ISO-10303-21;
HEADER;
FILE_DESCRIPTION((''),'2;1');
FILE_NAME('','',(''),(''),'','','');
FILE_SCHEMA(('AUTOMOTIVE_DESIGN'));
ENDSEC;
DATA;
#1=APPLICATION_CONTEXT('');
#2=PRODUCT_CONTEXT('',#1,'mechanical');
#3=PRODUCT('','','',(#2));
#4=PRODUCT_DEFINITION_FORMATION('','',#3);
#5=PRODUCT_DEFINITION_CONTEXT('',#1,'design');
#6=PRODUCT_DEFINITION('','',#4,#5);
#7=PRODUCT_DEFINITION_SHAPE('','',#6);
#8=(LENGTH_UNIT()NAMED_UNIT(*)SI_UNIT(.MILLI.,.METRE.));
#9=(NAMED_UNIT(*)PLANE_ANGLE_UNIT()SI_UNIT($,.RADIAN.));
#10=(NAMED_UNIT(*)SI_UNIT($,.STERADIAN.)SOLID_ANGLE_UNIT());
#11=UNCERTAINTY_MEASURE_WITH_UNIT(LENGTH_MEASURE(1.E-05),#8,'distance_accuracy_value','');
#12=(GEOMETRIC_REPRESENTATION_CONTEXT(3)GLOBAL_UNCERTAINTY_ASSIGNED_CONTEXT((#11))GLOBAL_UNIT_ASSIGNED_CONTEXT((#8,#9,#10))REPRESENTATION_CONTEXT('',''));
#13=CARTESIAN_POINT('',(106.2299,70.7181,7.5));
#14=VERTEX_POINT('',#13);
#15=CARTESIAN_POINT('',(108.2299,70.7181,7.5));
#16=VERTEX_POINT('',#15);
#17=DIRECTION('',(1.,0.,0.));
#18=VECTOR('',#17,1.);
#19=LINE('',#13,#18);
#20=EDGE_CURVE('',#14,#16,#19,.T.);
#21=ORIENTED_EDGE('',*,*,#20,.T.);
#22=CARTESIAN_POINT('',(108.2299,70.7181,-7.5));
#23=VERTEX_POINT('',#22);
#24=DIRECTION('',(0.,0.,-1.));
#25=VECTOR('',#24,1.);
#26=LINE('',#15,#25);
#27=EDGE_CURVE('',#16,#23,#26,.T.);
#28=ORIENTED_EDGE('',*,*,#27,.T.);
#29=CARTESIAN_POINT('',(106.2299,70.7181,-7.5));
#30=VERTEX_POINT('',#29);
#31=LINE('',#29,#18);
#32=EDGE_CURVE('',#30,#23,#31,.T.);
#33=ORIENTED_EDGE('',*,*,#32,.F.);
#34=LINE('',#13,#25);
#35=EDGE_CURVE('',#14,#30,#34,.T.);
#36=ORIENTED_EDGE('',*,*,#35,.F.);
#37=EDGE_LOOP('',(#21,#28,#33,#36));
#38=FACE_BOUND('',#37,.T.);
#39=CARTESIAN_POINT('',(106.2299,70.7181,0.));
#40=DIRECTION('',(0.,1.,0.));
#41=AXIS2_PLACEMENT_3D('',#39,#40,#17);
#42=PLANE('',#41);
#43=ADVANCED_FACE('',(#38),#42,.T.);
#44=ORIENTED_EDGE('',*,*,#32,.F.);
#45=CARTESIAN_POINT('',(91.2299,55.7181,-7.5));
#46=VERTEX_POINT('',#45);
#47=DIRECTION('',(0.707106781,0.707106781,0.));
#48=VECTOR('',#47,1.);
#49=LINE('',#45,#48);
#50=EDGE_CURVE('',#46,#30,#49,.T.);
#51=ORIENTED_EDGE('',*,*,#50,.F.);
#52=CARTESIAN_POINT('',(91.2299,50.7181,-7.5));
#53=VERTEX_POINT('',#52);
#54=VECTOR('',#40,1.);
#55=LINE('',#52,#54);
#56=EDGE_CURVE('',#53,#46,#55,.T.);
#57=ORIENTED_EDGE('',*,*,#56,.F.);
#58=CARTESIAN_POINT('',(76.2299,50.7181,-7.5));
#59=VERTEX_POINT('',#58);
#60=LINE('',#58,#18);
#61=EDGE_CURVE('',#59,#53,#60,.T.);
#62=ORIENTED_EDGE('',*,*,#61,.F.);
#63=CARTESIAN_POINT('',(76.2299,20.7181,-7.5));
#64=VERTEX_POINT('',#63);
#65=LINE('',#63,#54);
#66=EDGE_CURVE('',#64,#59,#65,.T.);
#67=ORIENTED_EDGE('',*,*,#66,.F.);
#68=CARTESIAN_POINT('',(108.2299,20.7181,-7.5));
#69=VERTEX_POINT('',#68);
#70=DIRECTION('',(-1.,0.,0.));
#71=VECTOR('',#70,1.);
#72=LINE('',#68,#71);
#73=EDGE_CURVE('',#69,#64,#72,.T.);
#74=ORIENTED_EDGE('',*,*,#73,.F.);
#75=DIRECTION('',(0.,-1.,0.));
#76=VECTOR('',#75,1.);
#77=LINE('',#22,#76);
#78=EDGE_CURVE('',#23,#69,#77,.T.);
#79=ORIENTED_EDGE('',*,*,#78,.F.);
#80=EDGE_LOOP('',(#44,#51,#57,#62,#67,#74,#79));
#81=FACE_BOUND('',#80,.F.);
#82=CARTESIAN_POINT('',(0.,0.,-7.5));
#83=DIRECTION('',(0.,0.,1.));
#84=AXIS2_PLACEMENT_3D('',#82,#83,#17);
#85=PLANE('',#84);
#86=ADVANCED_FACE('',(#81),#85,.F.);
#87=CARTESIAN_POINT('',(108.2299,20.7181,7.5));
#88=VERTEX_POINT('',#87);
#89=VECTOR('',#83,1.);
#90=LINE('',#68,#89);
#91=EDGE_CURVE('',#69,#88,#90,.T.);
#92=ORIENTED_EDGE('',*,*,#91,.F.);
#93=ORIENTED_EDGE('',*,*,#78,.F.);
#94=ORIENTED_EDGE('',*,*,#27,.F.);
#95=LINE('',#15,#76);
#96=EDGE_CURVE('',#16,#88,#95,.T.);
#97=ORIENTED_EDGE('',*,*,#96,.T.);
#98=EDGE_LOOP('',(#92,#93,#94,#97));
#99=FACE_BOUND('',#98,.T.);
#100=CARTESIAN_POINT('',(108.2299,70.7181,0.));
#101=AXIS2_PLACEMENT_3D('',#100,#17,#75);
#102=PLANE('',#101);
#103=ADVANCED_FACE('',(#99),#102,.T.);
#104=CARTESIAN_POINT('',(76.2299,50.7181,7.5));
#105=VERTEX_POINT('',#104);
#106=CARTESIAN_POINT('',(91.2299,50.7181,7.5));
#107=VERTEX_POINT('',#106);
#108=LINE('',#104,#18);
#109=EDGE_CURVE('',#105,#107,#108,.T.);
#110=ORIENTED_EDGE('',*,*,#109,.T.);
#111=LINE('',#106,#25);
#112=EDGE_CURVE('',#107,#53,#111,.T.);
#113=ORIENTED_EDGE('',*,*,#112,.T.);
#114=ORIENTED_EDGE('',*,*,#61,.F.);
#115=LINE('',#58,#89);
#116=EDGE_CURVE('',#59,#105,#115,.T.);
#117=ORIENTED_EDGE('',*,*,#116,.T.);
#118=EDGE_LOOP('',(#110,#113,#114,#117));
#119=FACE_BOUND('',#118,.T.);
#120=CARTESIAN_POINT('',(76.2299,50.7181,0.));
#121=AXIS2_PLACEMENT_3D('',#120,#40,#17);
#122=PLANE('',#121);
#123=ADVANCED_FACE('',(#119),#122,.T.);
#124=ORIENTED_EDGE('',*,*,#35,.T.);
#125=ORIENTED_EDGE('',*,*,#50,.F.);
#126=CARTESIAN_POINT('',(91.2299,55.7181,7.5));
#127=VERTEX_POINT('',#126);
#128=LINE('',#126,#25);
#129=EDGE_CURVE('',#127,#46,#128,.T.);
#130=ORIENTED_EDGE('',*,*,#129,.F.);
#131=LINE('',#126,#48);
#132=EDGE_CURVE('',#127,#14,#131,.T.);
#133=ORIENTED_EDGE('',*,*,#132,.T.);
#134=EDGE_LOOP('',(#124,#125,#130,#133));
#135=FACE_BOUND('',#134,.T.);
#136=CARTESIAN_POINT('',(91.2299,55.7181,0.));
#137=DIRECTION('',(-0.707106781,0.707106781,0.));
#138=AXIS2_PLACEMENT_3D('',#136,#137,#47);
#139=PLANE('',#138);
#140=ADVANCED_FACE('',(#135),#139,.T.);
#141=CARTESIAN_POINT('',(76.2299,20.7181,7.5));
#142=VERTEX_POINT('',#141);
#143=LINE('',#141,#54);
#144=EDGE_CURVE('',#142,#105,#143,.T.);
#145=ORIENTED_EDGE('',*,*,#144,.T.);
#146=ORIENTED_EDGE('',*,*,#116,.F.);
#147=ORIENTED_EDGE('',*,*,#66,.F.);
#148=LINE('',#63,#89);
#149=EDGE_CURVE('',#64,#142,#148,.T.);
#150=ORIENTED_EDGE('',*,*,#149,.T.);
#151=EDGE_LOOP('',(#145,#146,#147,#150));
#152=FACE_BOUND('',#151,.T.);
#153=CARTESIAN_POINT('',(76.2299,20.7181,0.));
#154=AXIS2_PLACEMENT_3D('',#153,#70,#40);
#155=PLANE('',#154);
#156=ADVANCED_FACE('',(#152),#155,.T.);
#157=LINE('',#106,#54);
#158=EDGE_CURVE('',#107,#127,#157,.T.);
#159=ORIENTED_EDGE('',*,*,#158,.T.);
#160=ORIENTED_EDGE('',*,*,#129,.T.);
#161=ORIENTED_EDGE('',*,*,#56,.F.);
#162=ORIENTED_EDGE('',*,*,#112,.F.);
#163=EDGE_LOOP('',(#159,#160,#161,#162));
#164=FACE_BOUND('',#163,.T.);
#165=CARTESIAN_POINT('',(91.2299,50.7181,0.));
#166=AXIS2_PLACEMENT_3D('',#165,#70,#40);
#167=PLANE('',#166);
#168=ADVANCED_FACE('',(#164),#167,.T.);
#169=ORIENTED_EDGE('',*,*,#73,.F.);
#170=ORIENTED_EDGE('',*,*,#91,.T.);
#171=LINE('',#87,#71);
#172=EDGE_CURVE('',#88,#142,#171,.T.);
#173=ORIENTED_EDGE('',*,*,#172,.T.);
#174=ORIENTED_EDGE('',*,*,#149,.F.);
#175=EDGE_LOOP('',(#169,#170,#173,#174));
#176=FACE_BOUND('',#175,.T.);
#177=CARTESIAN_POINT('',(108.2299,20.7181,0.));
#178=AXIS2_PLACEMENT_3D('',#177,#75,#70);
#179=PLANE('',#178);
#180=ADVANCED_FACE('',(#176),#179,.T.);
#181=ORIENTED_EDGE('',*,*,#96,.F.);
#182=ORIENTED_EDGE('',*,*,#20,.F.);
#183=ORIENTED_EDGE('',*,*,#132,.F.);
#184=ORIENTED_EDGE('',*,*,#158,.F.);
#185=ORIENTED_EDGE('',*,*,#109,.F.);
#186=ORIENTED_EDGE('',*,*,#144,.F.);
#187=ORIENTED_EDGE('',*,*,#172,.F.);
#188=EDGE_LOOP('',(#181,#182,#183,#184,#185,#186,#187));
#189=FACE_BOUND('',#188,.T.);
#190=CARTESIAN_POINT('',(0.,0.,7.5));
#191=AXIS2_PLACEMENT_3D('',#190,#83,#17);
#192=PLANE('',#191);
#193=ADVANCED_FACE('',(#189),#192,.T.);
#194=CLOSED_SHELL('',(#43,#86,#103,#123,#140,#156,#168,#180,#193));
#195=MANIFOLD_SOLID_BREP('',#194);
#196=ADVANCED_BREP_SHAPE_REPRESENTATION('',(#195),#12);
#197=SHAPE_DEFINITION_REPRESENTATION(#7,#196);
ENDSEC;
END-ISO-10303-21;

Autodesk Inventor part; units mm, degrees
ref_plane "YZ Plane" through (0, 0, 0) normal (1, 0, 0) x (0, 1, 0)
ref_plane "XZ Plane" through (0, 0, 0) normal (0, 1, 0) x (-1, 0, 0)
ref_plane "XY Plane" through (0, 0, 0) normal (0, 0, 1) x (1, 0, 0)
sketch "Skizze1" plane through (0, 0, 0) normal (0, 0, 1) x (1, 0, 0)
  line L0 (76.2299, 50.7181) -> (91.2299, 50.7181)
  line L1 (91.2299, 50.7181) -> (91.2299, 55.7181)
  line L2 (91.2299, 55.7181) -> (106.2299, 70.7181)
  line L3 (106.2299, 70.7181) -> (108.2299, 70.7181)
  line L4 (108.2299, 70.7181) -> (108.2299, 20.7181)
  line L5 (108.2299, 20.7181) -> (76.2299, 20.7181)
  line L6 (76.2299, 20.7181) -> (76.2299, 50.7181)
  point P0 (0, 0)
  dimension "d0" = 30
  dimension "d1" = 15
  dimension "d2" = 45
  dimension "d5" = 50
  dimension "d6" = 5
  dimension "d7" = 32
extrude "Extrusion1" add sketch "Skizze1" along normal mid plane 15
properties part number "_WT_Aufnahme1"
